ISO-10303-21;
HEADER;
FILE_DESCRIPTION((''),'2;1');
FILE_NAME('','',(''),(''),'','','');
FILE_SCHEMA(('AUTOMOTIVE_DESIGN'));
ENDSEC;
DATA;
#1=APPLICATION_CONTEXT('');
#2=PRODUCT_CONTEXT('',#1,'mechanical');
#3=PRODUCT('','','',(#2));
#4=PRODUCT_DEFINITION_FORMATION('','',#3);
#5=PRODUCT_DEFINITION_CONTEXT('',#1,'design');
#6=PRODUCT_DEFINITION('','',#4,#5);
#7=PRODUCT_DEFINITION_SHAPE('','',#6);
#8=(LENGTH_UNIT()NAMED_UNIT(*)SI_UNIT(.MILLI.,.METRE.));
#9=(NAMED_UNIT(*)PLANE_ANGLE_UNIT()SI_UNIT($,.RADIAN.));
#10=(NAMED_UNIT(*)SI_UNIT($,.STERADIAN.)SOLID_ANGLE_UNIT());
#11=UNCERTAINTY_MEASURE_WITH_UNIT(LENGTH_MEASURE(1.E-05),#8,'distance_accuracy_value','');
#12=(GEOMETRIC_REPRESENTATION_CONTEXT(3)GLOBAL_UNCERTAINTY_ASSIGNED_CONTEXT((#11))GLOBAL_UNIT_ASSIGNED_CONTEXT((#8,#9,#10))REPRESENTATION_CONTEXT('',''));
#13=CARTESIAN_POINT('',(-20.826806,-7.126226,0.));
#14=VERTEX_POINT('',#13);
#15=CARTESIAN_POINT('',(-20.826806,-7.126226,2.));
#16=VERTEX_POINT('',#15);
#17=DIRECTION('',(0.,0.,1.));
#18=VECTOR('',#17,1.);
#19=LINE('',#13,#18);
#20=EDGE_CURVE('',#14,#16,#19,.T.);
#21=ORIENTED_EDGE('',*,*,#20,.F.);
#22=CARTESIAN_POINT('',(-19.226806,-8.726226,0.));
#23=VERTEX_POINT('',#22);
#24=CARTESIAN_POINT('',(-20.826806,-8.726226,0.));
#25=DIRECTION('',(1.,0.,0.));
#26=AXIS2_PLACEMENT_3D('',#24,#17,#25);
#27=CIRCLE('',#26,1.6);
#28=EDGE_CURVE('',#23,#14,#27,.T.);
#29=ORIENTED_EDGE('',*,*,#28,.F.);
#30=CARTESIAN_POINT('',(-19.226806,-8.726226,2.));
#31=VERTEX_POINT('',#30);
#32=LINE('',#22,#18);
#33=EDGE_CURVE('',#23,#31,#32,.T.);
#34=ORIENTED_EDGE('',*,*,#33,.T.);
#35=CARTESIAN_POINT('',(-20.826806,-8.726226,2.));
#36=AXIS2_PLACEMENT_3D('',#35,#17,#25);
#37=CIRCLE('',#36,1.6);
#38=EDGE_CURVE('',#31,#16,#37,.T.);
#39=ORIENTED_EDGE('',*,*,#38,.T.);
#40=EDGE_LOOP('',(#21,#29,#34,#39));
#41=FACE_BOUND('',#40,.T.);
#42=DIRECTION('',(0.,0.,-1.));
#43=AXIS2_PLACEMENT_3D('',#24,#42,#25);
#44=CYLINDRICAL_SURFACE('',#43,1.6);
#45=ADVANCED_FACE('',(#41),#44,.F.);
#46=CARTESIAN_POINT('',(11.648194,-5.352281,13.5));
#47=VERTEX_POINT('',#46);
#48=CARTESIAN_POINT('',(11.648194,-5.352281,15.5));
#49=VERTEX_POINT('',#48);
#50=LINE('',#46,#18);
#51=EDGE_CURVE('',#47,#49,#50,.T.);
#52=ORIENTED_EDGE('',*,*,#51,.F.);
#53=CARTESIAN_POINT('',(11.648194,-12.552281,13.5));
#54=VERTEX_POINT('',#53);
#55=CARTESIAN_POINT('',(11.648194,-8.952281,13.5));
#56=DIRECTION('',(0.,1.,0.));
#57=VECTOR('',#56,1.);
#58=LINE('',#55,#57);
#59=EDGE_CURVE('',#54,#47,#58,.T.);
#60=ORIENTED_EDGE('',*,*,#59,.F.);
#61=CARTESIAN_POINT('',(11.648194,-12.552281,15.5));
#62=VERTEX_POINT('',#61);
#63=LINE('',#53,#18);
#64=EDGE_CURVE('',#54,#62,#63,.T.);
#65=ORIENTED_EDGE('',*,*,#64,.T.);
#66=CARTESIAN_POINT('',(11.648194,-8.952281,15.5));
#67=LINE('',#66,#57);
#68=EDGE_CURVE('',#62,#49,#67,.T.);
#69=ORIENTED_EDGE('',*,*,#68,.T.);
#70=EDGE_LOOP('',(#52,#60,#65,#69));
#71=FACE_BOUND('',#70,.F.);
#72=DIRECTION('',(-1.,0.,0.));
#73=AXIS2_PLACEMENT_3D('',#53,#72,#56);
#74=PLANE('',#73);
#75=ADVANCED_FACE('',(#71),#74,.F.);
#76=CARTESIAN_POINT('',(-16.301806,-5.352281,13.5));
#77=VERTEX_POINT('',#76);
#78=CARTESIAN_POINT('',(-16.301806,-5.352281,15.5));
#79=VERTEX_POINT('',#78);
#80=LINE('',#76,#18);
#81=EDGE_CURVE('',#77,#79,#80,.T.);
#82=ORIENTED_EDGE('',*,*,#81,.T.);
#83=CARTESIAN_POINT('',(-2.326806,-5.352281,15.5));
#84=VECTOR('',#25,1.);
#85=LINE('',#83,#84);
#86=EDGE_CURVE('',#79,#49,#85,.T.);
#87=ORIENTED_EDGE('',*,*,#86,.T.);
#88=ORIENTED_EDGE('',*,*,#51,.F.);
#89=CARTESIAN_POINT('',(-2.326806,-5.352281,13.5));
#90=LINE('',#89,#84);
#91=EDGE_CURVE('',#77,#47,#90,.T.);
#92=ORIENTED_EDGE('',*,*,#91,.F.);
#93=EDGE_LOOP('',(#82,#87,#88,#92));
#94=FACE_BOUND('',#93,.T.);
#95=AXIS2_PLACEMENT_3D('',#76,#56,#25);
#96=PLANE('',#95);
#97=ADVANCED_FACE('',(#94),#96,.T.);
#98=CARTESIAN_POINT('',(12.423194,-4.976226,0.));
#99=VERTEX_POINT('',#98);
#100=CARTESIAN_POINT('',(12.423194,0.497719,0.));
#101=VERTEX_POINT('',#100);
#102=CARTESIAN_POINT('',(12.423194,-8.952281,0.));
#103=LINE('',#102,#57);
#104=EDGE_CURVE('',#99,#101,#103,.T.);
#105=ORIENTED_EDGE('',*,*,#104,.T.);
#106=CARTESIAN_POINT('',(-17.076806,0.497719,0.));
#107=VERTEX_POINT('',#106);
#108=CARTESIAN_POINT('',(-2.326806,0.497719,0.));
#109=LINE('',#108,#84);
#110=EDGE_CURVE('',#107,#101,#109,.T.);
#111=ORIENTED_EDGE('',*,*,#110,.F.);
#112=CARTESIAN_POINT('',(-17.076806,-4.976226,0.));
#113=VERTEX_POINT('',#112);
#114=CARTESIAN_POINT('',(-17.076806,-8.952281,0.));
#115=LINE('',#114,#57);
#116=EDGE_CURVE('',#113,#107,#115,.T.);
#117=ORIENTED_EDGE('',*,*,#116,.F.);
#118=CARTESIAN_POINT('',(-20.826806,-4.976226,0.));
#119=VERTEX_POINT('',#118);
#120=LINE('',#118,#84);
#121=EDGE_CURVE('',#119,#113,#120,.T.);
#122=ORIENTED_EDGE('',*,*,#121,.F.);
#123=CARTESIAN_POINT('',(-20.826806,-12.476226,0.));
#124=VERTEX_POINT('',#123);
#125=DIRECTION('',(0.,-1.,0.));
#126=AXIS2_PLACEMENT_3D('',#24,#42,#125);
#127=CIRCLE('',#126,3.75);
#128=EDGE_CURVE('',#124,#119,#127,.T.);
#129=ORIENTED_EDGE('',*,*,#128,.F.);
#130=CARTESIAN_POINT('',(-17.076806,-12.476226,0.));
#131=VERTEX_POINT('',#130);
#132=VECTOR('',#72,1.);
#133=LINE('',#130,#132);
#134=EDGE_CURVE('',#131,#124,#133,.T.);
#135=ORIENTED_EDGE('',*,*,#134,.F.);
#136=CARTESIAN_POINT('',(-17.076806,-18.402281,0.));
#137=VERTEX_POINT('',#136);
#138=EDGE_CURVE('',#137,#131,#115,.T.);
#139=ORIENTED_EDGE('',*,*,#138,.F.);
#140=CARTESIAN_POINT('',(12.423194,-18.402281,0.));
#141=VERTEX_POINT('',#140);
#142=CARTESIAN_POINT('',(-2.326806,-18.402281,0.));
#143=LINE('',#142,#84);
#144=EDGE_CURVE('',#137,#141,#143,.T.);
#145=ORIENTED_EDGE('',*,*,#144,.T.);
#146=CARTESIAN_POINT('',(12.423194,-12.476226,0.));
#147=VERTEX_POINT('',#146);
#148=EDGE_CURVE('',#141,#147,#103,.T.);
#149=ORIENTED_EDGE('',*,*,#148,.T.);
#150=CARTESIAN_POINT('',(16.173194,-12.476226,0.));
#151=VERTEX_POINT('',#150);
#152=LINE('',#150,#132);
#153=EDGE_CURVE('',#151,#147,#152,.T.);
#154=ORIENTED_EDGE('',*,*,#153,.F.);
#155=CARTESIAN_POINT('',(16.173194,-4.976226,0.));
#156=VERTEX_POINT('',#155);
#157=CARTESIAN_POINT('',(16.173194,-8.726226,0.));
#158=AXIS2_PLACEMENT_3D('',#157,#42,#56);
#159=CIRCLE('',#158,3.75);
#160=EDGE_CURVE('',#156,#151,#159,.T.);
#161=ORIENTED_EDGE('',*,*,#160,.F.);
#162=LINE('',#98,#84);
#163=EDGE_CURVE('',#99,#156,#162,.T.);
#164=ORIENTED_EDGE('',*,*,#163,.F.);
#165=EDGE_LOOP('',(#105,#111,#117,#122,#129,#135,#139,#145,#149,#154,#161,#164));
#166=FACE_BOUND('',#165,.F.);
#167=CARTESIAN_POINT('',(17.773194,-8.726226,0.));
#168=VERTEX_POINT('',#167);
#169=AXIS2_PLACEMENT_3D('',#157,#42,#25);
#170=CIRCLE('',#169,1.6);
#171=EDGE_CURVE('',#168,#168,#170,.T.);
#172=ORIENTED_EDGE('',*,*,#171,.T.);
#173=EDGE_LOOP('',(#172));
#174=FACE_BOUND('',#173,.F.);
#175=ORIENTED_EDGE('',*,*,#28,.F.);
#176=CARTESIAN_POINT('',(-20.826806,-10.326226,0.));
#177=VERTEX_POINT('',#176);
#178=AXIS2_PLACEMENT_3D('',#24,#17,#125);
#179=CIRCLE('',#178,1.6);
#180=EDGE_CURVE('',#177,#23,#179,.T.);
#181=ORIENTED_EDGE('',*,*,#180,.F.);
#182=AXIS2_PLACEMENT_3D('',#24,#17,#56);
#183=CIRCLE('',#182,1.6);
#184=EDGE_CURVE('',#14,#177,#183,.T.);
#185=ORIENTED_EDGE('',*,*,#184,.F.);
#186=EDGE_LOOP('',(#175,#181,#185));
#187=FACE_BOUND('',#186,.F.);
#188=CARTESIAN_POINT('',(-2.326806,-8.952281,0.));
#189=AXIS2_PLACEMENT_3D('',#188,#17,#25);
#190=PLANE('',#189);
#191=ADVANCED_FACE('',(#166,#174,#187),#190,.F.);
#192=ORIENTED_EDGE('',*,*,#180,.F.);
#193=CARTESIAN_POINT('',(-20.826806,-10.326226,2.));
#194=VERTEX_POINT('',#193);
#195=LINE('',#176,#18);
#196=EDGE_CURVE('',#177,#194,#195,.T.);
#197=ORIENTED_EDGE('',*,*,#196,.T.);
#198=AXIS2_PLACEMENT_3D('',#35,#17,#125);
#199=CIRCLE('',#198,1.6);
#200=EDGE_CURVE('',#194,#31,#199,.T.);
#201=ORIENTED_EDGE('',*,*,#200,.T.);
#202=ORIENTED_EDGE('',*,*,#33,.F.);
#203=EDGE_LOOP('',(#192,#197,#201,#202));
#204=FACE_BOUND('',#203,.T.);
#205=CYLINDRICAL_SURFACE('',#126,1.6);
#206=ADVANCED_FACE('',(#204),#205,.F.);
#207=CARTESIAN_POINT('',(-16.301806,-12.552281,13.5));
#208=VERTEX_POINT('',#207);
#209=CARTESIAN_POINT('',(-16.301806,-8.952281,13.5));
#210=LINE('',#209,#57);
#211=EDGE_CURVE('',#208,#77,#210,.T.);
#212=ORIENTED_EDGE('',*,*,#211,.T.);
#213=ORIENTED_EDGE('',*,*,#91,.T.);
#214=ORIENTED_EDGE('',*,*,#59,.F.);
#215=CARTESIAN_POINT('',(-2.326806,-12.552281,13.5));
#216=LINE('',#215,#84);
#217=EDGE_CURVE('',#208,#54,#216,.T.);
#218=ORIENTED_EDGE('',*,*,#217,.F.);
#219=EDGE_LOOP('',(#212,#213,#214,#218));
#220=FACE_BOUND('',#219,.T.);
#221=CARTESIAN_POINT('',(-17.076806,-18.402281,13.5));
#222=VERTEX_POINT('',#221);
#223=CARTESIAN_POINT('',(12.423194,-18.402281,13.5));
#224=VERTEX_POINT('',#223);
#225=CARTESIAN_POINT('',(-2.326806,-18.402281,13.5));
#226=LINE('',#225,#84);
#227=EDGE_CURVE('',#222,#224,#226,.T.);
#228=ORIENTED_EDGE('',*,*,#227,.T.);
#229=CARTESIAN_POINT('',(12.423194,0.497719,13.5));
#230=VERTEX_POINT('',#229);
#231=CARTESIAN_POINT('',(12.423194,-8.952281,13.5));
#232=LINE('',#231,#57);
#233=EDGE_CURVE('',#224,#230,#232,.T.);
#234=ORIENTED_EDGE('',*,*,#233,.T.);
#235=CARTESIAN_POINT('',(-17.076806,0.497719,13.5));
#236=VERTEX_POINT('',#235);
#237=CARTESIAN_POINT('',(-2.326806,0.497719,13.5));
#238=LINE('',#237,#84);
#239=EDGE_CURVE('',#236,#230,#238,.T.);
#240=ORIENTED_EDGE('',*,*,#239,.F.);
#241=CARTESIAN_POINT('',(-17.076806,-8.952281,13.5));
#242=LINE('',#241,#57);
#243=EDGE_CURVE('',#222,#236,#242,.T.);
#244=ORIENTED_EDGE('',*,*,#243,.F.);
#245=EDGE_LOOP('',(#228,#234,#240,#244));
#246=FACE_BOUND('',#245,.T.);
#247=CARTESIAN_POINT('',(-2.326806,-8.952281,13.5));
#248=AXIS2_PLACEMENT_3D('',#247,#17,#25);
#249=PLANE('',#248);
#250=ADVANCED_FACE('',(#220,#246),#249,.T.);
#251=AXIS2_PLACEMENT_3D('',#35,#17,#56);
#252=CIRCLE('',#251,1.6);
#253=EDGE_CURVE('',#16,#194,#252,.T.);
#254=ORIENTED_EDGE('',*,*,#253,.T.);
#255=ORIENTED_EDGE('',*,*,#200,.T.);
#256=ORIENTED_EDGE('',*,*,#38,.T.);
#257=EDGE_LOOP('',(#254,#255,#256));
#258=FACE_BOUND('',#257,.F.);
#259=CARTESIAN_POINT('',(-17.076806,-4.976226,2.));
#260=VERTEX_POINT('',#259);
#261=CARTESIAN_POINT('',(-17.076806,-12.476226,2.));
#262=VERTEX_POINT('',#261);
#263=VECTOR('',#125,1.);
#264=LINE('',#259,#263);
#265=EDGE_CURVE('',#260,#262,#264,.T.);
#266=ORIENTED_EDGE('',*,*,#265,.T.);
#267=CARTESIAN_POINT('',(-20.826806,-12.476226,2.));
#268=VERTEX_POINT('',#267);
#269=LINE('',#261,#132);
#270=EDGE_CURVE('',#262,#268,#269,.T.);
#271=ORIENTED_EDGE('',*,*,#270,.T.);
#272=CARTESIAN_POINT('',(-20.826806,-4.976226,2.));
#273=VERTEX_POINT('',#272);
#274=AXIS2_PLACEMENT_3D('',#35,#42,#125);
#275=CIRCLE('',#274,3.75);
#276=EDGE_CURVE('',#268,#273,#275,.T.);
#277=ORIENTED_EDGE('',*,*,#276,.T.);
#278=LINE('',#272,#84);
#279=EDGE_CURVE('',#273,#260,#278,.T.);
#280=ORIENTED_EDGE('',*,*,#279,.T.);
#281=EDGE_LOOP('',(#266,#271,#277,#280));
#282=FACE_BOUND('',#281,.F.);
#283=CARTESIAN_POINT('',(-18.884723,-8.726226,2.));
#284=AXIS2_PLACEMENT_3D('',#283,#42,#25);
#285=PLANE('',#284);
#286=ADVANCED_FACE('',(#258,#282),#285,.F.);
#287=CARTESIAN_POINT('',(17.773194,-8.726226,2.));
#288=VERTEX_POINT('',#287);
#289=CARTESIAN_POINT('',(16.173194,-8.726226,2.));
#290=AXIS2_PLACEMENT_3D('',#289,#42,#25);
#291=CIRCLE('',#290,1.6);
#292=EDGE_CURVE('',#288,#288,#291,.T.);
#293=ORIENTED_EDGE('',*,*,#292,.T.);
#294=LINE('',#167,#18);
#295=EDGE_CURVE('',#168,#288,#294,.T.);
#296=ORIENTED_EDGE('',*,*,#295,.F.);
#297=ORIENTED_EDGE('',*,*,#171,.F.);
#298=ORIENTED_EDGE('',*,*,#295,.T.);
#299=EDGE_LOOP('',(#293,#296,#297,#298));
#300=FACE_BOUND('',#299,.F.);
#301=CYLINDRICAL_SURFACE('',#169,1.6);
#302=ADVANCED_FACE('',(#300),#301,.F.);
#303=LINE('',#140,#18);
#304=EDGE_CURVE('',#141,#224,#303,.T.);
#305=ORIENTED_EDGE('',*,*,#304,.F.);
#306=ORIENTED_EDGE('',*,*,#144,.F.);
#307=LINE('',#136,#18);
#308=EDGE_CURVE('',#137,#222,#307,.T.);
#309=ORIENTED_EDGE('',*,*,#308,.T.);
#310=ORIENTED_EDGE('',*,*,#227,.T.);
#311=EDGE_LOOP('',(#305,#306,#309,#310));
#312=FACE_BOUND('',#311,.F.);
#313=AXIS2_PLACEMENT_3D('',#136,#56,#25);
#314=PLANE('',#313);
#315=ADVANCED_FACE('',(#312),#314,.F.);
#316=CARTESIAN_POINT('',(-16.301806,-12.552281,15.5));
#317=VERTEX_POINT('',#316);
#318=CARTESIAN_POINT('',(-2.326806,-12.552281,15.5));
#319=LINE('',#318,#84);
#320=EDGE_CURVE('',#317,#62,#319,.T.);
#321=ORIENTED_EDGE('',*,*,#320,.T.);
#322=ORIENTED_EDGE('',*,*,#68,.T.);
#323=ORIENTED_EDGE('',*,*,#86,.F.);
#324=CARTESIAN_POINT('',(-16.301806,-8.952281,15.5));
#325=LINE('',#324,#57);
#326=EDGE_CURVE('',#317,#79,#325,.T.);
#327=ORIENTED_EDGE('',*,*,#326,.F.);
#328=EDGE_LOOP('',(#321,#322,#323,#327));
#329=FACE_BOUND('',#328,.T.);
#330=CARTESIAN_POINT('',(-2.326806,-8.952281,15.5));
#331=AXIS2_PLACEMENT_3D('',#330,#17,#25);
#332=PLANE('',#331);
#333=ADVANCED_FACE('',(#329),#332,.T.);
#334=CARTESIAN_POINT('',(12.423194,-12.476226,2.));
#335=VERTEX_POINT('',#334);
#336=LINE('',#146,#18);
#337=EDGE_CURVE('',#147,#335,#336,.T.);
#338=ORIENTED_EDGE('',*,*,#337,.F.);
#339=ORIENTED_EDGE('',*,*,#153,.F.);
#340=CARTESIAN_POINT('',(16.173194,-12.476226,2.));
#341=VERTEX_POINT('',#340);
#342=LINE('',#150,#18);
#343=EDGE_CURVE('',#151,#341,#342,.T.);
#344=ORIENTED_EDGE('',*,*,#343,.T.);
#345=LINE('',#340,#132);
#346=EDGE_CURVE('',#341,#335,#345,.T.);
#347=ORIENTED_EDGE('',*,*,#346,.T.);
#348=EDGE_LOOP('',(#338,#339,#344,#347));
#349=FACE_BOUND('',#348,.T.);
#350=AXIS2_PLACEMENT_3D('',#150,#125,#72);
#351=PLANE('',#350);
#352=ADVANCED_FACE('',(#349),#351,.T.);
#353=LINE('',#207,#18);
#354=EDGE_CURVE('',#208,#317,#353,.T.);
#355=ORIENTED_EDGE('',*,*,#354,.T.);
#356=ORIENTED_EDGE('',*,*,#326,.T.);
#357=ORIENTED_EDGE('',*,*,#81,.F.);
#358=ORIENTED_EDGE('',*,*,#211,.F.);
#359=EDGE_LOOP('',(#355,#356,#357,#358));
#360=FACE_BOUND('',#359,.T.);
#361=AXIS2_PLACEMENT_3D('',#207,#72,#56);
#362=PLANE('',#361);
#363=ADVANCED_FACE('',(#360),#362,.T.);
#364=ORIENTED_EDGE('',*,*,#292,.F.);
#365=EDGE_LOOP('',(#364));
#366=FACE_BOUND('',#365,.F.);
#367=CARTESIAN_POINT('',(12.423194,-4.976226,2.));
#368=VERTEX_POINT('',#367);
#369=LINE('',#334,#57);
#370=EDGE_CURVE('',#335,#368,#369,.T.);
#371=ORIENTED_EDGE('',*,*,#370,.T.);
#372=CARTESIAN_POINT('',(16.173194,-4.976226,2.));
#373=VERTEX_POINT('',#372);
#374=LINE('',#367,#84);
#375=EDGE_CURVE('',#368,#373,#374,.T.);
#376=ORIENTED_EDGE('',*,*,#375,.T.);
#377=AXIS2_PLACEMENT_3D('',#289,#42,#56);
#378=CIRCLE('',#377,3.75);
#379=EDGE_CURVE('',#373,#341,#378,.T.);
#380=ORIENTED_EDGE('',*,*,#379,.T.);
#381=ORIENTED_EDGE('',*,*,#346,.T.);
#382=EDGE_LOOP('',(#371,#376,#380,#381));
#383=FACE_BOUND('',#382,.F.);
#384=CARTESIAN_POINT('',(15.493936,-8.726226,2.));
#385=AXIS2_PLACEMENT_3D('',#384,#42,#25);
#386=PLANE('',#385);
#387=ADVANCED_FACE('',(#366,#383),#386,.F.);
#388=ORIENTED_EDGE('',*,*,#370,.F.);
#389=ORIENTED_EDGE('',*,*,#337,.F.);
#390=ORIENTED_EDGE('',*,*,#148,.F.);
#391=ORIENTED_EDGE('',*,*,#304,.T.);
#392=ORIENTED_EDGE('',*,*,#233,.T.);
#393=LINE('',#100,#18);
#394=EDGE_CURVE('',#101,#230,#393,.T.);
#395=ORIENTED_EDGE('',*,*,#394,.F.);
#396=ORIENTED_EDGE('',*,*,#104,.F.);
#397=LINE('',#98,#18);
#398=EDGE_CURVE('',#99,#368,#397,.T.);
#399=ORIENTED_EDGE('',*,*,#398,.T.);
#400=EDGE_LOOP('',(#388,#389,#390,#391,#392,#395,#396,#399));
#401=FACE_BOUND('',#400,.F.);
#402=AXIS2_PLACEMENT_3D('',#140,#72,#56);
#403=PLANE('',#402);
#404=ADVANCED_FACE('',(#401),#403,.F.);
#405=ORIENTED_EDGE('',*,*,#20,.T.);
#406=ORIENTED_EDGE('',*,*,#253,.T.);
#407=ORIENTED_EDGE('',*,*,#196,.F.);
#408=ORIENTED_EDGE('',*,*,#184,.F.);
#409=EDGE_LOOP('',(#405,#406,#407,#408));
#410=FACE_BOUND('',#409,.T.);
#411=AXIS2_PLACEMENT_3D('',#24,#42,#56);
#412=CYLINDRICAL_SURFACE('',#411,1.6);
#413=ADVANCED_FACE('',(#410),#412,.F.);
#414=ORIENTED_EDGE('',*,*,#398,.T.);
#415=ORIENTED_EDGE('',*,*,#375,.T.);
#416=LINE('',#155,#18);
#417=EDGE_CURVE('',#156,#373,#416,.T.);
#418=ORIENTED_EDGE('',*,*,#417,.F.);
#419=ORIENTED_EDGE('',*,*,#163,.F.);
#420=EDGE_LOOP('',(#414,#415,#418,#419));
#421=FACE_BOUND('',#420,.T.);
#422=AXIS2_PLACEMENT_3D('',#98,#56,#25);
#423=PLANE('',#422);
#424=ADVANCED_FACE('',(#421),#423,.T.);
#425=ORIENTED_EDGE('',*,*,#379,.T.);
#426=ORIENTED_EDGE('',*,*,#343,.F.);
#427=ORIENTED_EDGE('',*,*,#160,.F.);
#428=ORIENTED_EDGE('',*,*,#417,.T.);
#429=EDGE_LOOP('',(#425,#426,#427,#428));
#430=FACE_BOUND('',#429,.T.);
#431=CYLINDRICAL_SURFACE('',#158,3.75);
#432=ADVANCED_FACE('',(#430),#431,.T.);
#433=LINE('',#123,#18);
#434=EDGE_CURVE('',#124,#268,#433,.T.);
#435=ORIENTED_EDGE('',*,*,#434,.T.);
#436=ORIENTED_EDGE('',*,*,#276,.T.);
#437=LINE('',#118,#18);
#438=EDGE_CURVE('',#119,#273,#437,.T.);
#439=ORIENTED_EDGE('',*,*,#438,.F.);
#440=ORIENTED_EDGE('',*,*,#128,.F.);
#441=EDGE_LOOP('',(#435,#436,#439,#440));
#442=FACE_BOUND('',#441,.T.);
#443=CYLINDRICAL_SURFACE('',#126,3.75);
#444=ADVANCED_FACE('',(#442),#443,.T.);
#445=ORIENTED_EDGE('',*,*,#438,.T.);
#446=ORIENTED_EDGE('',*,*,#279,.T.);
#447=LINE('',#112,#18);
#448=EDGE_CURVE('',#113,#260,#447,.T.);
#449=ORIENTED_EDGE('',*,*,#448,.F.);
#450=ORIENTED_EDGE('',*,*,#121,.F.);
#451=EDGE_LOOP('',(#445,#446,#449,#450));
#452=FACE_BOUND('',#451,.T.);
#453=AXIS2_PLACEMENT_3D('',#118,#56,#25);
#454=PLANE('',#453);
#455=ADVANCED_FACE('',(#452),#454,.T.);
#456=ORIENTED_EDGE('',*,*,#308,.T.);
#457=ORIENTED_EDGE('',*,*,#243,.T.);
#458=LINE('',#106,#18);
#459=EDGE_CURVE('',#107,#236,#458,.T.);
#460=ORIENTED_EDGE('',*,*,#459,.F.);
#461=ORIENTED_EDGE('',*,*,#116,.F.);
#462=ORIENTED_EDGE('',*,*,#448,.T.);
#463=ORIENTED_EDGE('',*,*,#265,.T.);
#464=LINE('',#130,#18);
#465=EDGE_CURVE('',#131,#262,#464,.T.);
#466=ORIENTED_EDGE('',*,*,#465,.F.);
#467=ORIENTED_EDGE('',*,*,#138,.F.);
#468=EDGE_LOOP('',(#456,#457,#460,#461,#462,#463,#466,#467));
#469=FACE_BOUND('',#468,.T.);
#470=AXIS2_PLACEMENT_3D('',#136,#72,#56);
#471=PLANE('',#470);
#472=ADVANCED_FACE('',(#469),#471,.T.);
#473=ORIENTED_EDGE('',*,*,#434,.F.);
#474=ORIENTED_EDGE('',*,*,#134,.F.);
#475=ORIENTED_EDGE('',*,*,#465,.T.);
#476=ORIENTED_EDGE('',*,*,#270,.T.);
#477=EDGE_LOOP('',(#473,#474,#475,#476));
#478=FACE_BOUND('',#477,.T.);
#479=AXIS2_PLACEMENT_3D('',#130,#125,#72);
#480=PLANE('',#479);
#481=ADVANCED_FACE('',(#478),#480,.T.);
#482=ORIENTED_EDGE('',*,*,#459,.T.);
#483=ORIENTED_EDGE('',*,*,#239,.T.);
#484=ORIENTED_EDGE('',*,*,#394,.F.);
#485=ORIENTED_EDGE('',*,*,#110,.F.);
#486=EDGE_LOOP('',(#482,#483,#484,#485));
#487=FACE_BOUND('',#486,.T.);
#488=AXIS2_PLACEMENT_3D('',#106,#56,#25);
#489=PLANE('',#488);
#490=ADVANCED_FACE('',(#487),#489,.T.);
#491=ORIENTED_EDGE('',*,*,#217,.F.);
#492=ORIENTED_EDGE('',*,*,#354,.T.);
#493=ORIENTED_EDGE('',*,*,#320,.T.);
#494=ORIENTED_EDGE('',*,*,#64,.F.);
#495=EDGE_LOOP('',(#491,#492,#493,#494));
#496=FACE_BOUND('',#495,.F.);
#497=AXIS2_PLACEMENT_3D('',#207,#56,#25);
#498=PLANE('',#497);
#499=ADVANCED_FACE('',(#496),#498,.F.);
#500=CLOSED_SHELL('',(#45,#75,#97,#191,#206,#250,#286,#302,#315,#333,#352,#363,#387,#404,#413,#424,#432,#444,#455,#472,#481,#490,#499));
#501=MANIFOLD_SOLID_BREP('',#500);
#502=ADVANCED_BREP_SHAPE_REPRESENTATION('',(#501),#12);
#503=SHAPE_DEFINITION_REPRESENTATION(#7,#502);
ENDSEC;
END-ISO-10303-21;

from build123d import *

# Parameters (mm, degrees)
F0_W     = 29.5
F0_H     = 18.9
F1_DEPTH = 13.5
F2_R     = 1.6
F3_DEPTH = 2
F4_W     = 27.95
F4_H     = 7.2
F5_DEPTH = 2


with BuildPart() as f1:
    # F0 (on Top) → F1 (new body)
    with BuildSketch(Plane.XY):
        with Locations((-2.3268059269, -8.9522809724)):
            Rectangle(F0_W, F0_H)
    extrude(amount=F1_DEPTH)

    # F2 (on face) → F3 (join)
    with BuildSketch(Plane(origin=(0, 0, 0), x_dir=(1, 0, 0), z_dir=(0, 0, -1))):
        with BuildLine():
            Line((-20.8268059269, 7.1262256302), (-20.8268059269, 4.9762256302))
            Line((-20.8268059269, 4.9762256302), (-17.0768059269, 4.9762256302))
            Line((-17.0768059269, 4.9762256302), (-17.0768059269, 12.4762256302))
            Line((-17.0768059269, 12.4762256302), (-20.8268059269, 12.4762256302))
            Line((-20.8268059269, 12.4762256302), (-20.8268059269, 10.3262256302))
            ThreePointArc((-20.8268059269, 10.3262256302), (-19.695435077, 9.8575964801), (-19.2268059269, 8.7262256302))
            ThreePointArc((-19.2268059269, 8.7262256302), (-19.695435077, 7.5948547803), (-20.8268059269, 7.1262256302))
        make_face()
        with BuildLine():
            ThreePointArc((-20.8268059269, 12.4762256302), (-24.5768059269, 8.7262256302), (-20.8268059269, 4.9762256302))
            Line((-20.8268059269, 4.9762256302), (-20.8268059269, 7.1262256302))
            ThreePointArc((-20.8268059269, 7.1262256302), (-22.4268059269, 8.7262256302), (-20.8268059269, 10.3262256302))
            Line((-20.8268059269, 10.3262256302), (-20.8268059269, 12.4762256302))
        make_face()
        with BuildLine():
            Line((12.4231940731, 12.4762256302), (12.4231940731, 4.9762256302))
            Line((12.4231940731, 4.9762256302), (16.1731940731, 4.9762256302))
            ThreePointArc((16.1731940731, 4.9762256302), (19.9231940731, 8.7262256302), (16.1731940731, 12.4762256302))
            Line((16.1731940731, 12.4762256302), (12.4231940731, 12.4762256302))
        make_face()
        with Locations((16.1731940731, 8.7262256302)):
            Circle(F2_R, mode=Mode.SUBTRACT)
    extrude(amount=-F3_DEPTH)

    # F4 (on face) → F5 (join)
    with BuildSketch(Plane.XY.offset(13.5)):
        with Locations((-2.3268059269, -8.9522809724)):
            Rectangle(F4_W, F4_H)
    extrude(amount=F5_DEPTH)


solid = f1.part
